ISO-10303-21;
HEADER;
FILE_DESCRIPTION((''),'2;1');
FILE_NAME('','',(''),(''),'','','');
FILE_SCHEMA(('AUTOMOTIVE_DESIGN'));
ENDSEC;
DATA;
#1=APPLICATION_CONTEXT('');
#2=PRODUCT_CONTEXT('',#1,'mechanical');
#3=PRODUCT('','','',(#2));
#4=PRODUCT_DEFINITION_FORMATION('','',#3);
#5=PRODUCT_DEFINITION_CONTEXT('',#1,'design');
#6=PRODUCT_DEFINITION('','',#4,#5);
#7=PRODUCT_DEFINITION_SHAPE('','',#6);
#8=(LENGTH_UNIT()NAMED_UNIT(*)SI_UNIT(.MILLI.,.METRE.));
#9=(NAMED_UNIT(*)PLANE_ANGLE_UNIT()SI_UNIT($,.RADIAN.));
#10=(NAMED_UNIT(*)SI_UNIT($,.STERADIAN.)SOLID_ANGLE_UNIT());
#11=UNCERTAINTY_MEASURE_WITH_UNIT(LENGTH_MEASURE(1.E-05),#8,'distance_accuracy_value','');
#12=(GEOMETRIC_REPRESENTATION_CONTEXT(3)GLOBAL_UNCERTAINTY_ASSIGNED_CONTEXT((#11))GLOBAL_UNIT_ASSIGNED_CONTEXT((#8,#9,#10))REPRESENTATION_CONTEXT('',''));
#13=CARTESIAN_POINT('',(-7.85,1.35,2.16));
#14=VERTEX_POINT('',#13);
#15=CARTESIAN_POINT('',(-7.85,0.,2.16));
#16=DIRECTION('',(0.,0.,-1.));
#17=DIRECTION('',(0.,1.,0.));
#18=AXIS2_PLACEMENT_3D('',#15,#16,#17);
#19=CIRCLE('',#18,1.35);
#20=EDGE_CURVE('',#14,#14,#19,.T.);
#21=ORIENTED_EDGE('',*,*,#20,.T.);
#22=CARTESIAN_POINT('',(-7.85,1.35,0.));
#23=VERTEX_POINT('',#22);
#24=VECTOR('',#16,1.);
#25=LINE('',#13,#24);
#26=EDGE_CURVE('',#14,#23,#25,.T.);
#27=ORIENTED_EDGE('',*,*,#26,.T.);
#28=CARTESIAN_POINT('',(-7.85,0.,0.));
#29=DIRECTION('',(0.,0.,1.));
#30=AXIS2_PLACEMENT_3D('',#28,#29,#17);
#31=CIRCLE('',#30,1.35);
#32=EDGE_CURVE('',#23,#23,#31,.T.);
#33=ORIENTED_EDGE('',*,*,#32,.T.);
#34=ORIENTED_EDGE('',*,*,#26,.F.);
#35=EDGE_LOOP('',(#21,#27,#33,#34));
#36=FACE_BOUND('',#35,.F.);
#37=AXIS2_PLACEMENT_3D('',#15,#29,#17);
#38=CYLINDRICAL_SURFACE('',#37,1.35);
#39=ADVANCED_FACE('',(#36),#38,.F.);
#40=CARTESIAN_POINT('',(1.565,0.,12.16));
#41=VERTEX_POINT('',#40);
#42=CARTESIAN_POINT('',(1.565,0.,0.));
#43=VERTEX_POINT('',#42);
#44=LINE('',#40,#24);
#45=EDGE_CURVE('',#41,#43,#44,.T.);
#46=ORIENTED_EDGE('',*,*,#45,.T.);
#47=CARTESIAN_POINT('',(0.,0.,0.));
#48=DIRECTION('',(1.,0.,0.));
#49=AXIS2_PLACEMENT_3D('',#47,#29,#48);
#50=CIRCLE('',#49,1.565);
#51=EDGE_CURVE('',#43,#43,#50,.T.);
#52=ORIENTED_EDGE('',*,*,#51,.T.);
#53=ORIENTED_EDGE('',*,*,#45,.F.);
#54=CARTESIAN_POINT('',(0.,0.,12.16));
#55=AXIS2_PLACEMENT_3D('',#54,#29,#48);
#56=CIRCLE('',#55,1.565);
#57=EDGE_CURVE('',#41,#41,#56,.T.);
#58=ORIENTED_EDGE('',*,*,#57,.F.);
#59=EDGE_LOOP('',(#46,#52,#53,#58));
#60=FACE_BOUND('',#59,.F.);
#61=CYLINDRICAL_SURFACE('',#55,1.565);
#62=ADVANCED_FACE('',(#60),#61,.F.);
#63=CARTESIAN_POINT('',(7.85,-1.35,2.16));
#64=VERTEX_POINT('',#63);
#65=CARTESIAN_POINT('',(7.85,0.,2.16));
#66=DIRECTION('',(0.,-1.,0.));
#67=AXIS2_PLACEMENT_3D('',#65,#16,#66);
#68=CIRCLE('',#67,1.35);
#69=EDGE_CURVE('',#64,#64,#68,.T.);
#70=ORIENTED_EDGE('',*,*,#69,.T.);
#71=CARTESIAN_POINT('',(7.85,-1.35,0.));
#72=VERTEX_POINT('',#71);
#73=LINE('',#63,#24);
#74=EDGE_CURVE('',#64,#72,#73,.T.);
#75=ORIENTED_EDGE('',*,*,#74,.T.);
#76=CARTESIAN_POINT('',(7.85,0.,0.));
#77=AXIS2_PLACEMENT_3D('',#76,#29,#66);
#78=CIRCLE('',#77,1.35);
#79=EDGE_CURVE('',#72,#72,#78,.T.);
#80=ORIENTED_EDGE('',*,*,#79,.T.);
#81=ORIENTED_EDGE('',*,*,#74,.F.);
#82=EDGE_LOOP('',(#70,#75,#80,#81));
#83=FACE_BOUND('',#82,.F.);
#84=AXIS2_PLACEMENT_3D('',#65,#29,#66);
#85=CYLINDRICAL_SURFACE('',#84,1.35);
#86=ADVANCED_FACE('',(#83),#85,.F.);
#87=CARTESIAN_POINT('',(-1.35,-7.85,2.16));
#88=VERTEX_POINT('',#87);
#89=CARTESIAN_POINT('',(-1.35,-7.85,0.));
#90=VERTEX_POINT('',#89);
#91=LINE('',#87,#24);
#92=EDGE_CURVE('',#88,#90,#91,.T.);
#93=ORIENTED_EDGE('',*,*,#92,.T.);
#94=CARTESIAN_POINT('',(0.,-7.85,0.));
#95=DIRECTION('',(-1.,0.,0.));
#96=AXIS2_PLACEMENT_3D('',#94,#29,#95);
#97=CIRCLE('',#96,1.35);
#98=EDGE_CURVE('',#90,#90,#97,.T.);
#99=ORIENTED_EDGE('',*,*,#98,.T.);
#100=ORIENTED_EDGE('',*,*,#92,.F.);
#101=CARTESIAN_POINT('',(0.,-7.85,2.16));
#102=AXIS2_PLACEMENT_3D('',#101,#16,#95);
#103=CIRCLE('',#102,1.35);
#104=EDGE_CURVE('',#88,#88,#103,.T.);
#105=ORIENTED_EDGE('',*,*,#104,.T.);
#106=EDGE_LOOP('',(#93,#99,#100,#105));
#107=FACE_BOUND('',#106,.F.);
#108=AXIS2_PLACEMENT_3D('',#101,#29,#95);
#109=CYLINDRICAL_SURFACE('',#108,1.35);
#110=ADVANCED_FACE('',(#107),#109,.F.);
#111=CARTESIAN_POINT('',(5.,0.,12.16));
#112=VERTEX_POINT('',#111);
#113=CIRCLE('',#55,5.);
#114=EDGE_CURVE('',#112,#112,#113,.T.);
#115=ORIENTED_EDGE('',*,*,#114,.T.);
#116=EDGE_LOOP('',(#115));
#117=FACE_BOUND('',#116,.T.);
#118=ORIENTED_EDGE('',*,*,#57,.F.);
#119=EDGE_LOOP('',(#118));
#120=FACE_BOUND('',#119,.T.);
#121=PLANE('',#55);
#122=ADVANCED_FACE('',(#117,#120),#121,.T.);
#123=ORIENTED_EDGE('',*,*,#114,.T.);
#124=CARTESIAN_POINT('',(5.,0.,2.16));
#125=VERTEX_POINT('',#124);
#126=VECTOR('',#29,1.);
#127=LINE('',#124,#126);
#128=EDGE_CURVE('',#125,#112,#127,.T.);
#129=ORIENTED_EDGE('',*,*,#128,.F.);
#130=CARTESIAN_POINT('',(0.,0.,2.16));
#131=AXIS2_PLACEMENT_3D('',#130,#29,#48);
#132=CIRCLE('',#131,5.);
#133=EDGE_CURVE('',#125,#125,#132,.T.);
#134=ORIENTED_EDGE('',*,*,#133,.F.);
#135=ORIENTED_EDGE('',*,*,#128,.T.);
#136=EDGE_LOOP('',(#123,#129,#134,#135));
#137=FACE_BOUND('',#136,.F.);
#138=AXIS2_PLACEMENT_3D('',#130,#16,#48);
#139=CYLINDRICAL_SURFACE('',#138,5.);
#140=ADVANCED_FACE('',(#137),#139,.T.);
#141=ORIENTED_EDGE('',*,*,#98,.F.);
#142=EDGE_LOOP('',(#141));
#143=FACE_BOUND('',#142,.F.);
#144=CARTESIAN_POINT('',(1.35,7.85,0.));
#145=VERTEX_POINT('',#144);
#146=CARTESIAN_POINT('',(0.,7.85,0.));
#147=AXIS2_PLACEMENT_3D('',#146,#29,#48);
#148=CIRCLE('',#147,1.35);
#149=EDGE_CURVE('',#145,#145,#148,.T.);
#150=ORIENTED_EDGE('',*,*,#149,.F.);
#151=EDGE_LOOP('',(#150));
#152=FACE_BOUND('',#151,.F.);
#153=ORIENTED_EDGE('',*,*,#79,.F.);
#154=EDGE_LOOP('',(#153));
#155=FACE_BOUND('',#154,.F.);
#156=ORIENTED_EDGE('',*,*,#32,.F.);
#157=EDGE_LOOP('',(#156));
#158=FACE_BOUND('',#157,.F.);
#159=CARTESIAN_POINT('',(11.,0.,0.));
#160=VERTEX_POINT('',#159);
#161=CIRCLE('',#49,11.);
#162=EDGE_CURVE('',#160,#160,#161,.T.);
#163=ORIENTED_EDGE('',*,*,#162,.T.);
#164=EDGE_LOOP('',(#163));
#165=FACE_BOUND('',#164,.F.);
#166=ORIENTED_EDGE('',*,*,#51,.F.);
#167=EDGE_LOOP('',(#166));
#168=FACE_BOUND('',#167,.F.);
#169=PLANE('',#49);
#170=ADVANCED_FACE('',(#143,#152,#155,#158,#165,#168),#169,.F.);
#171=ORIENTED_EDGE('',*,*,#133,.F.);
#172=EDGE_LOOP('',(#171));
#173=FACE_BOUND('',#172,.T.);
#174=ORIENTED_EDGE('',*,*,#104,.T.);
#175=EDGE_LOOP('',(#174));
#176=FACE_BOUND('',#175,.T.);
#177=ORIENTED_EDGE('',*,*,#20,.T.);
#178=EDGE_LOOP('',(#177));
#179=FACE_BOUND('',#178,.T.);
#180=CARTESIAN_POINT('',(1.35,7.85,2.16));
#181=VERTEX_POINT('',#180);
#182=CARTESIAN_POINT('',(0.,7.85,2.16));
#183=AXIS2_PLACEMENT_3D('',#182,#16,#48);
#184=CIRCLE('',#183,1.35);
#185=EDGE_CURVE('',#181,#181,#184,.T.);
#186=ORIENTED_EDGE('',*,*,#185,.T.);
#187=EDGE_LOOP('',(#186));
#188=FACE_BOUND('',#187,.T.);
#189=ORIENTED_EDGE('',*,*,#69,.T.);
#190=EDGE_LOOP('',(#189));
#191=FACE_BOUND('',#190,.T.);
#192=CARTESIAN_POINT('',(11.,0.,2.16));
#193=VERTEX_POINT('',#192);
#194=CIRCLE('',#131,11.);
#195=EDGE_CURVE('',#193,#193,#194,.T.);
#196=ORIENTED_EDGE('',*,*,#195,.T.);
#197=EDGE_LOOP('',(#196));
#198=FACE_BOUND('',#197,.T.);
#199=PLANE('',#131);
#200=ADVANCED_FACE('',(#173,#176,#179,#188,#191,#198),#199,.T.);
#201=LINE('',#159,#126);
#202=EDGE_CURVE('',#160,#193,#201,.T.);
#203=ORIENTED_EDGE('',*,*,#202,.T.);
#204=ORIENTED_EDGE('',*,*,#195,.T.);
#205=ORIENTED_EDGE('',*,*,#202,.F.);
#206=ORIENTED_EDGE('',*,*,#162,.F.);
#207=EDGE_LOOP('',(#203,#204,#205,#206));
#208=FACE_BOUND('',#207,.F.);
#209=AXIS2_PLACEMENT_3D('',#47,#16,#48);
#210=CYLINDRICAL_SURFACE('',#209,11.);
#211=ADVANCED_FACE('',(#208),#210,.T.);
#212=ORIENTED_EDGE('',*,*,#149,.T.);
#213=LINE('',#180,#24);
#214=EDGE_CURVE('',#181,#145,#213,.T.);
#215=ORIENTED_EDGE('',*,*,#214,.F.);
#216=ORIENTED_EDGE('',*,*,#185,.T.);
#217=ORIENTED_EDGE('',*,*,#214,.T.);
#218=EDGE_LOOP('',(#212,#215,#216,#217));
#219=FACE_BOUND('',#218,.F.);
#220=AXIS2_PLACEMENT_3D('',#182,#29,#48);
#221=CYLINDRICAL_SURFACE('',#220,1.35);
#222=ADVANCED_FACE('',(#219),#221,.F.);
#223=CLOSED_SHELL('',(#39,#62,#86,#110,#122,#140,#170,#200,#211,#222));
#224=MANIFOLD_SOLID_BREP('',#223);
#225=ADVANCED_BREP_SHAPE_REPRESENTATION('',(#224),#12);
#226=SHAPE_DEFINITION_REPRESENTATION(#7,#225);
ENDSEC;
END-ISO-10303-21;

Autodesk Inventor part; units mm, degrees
ref_plane "YZ Plane" through (0, 0, 0) normal (1, 0, 0) x (0, 1, 0)
ref_plane "XZ Plane" through (0, 0, 0) normal (0, 1, 0) x (-1, 0, 0)
ref_plane "XY Plane" through (0, 0, 0) normal (0, 0, 1) x (1, 0, 0)
sketch "スケッチ1" plane through (0, 0, 0) normal (0, 0, 1) x (1, 0, 0)
  circle A0 centre (0, 0) radius 11
  dimension "d0" = 22
extrude "押し出し1" add sketch "スケッチ1" along normal blind 2.16
sketch "スケッチ2" plane through (0, 0, 2.16) normal (0, 0, 1) x (1, 0, 0)
  circle A0 centre (0, 0) radius 5
  dimension "d3" = 10
extrude "押し出し2" add sketch "スケッチ2" along normal blind 10
sketch "スケッチ3" plane through (0, 0, 12.16) normal (0, 0, 1) x (1, 0, 0)
  circle A0 centre (0, 0) radius 1.565
  dimension "d6" = 3.13
extrude "押し出し3" cut sketch "スケッチ3" against normal up to surface (12.16 mm away)
sketch "スケッチ4" plane through (0, 0, 2.16) normal (0, 0, 1) x (1, 0, 0)
  circle A0 centre (0, 7.85) radius 1.35
  line L0 (0, -15.7768) -> (0, 17.6611) projected
  point P0 (0, 0)
  point P1 (0, 6.5)
  dimension "d9" = 2.7
  dimension "d10" = 6.5
extrude "押し出し4" cut sketch "スケッチ4" against normal up to surface (2.16 mm away)
pattern_circular "円形状パターン1" count 4 over 360 about axis through (0, 0, -10) along (0, 0, 1) of "押し出し4"
properties part number "frange"
